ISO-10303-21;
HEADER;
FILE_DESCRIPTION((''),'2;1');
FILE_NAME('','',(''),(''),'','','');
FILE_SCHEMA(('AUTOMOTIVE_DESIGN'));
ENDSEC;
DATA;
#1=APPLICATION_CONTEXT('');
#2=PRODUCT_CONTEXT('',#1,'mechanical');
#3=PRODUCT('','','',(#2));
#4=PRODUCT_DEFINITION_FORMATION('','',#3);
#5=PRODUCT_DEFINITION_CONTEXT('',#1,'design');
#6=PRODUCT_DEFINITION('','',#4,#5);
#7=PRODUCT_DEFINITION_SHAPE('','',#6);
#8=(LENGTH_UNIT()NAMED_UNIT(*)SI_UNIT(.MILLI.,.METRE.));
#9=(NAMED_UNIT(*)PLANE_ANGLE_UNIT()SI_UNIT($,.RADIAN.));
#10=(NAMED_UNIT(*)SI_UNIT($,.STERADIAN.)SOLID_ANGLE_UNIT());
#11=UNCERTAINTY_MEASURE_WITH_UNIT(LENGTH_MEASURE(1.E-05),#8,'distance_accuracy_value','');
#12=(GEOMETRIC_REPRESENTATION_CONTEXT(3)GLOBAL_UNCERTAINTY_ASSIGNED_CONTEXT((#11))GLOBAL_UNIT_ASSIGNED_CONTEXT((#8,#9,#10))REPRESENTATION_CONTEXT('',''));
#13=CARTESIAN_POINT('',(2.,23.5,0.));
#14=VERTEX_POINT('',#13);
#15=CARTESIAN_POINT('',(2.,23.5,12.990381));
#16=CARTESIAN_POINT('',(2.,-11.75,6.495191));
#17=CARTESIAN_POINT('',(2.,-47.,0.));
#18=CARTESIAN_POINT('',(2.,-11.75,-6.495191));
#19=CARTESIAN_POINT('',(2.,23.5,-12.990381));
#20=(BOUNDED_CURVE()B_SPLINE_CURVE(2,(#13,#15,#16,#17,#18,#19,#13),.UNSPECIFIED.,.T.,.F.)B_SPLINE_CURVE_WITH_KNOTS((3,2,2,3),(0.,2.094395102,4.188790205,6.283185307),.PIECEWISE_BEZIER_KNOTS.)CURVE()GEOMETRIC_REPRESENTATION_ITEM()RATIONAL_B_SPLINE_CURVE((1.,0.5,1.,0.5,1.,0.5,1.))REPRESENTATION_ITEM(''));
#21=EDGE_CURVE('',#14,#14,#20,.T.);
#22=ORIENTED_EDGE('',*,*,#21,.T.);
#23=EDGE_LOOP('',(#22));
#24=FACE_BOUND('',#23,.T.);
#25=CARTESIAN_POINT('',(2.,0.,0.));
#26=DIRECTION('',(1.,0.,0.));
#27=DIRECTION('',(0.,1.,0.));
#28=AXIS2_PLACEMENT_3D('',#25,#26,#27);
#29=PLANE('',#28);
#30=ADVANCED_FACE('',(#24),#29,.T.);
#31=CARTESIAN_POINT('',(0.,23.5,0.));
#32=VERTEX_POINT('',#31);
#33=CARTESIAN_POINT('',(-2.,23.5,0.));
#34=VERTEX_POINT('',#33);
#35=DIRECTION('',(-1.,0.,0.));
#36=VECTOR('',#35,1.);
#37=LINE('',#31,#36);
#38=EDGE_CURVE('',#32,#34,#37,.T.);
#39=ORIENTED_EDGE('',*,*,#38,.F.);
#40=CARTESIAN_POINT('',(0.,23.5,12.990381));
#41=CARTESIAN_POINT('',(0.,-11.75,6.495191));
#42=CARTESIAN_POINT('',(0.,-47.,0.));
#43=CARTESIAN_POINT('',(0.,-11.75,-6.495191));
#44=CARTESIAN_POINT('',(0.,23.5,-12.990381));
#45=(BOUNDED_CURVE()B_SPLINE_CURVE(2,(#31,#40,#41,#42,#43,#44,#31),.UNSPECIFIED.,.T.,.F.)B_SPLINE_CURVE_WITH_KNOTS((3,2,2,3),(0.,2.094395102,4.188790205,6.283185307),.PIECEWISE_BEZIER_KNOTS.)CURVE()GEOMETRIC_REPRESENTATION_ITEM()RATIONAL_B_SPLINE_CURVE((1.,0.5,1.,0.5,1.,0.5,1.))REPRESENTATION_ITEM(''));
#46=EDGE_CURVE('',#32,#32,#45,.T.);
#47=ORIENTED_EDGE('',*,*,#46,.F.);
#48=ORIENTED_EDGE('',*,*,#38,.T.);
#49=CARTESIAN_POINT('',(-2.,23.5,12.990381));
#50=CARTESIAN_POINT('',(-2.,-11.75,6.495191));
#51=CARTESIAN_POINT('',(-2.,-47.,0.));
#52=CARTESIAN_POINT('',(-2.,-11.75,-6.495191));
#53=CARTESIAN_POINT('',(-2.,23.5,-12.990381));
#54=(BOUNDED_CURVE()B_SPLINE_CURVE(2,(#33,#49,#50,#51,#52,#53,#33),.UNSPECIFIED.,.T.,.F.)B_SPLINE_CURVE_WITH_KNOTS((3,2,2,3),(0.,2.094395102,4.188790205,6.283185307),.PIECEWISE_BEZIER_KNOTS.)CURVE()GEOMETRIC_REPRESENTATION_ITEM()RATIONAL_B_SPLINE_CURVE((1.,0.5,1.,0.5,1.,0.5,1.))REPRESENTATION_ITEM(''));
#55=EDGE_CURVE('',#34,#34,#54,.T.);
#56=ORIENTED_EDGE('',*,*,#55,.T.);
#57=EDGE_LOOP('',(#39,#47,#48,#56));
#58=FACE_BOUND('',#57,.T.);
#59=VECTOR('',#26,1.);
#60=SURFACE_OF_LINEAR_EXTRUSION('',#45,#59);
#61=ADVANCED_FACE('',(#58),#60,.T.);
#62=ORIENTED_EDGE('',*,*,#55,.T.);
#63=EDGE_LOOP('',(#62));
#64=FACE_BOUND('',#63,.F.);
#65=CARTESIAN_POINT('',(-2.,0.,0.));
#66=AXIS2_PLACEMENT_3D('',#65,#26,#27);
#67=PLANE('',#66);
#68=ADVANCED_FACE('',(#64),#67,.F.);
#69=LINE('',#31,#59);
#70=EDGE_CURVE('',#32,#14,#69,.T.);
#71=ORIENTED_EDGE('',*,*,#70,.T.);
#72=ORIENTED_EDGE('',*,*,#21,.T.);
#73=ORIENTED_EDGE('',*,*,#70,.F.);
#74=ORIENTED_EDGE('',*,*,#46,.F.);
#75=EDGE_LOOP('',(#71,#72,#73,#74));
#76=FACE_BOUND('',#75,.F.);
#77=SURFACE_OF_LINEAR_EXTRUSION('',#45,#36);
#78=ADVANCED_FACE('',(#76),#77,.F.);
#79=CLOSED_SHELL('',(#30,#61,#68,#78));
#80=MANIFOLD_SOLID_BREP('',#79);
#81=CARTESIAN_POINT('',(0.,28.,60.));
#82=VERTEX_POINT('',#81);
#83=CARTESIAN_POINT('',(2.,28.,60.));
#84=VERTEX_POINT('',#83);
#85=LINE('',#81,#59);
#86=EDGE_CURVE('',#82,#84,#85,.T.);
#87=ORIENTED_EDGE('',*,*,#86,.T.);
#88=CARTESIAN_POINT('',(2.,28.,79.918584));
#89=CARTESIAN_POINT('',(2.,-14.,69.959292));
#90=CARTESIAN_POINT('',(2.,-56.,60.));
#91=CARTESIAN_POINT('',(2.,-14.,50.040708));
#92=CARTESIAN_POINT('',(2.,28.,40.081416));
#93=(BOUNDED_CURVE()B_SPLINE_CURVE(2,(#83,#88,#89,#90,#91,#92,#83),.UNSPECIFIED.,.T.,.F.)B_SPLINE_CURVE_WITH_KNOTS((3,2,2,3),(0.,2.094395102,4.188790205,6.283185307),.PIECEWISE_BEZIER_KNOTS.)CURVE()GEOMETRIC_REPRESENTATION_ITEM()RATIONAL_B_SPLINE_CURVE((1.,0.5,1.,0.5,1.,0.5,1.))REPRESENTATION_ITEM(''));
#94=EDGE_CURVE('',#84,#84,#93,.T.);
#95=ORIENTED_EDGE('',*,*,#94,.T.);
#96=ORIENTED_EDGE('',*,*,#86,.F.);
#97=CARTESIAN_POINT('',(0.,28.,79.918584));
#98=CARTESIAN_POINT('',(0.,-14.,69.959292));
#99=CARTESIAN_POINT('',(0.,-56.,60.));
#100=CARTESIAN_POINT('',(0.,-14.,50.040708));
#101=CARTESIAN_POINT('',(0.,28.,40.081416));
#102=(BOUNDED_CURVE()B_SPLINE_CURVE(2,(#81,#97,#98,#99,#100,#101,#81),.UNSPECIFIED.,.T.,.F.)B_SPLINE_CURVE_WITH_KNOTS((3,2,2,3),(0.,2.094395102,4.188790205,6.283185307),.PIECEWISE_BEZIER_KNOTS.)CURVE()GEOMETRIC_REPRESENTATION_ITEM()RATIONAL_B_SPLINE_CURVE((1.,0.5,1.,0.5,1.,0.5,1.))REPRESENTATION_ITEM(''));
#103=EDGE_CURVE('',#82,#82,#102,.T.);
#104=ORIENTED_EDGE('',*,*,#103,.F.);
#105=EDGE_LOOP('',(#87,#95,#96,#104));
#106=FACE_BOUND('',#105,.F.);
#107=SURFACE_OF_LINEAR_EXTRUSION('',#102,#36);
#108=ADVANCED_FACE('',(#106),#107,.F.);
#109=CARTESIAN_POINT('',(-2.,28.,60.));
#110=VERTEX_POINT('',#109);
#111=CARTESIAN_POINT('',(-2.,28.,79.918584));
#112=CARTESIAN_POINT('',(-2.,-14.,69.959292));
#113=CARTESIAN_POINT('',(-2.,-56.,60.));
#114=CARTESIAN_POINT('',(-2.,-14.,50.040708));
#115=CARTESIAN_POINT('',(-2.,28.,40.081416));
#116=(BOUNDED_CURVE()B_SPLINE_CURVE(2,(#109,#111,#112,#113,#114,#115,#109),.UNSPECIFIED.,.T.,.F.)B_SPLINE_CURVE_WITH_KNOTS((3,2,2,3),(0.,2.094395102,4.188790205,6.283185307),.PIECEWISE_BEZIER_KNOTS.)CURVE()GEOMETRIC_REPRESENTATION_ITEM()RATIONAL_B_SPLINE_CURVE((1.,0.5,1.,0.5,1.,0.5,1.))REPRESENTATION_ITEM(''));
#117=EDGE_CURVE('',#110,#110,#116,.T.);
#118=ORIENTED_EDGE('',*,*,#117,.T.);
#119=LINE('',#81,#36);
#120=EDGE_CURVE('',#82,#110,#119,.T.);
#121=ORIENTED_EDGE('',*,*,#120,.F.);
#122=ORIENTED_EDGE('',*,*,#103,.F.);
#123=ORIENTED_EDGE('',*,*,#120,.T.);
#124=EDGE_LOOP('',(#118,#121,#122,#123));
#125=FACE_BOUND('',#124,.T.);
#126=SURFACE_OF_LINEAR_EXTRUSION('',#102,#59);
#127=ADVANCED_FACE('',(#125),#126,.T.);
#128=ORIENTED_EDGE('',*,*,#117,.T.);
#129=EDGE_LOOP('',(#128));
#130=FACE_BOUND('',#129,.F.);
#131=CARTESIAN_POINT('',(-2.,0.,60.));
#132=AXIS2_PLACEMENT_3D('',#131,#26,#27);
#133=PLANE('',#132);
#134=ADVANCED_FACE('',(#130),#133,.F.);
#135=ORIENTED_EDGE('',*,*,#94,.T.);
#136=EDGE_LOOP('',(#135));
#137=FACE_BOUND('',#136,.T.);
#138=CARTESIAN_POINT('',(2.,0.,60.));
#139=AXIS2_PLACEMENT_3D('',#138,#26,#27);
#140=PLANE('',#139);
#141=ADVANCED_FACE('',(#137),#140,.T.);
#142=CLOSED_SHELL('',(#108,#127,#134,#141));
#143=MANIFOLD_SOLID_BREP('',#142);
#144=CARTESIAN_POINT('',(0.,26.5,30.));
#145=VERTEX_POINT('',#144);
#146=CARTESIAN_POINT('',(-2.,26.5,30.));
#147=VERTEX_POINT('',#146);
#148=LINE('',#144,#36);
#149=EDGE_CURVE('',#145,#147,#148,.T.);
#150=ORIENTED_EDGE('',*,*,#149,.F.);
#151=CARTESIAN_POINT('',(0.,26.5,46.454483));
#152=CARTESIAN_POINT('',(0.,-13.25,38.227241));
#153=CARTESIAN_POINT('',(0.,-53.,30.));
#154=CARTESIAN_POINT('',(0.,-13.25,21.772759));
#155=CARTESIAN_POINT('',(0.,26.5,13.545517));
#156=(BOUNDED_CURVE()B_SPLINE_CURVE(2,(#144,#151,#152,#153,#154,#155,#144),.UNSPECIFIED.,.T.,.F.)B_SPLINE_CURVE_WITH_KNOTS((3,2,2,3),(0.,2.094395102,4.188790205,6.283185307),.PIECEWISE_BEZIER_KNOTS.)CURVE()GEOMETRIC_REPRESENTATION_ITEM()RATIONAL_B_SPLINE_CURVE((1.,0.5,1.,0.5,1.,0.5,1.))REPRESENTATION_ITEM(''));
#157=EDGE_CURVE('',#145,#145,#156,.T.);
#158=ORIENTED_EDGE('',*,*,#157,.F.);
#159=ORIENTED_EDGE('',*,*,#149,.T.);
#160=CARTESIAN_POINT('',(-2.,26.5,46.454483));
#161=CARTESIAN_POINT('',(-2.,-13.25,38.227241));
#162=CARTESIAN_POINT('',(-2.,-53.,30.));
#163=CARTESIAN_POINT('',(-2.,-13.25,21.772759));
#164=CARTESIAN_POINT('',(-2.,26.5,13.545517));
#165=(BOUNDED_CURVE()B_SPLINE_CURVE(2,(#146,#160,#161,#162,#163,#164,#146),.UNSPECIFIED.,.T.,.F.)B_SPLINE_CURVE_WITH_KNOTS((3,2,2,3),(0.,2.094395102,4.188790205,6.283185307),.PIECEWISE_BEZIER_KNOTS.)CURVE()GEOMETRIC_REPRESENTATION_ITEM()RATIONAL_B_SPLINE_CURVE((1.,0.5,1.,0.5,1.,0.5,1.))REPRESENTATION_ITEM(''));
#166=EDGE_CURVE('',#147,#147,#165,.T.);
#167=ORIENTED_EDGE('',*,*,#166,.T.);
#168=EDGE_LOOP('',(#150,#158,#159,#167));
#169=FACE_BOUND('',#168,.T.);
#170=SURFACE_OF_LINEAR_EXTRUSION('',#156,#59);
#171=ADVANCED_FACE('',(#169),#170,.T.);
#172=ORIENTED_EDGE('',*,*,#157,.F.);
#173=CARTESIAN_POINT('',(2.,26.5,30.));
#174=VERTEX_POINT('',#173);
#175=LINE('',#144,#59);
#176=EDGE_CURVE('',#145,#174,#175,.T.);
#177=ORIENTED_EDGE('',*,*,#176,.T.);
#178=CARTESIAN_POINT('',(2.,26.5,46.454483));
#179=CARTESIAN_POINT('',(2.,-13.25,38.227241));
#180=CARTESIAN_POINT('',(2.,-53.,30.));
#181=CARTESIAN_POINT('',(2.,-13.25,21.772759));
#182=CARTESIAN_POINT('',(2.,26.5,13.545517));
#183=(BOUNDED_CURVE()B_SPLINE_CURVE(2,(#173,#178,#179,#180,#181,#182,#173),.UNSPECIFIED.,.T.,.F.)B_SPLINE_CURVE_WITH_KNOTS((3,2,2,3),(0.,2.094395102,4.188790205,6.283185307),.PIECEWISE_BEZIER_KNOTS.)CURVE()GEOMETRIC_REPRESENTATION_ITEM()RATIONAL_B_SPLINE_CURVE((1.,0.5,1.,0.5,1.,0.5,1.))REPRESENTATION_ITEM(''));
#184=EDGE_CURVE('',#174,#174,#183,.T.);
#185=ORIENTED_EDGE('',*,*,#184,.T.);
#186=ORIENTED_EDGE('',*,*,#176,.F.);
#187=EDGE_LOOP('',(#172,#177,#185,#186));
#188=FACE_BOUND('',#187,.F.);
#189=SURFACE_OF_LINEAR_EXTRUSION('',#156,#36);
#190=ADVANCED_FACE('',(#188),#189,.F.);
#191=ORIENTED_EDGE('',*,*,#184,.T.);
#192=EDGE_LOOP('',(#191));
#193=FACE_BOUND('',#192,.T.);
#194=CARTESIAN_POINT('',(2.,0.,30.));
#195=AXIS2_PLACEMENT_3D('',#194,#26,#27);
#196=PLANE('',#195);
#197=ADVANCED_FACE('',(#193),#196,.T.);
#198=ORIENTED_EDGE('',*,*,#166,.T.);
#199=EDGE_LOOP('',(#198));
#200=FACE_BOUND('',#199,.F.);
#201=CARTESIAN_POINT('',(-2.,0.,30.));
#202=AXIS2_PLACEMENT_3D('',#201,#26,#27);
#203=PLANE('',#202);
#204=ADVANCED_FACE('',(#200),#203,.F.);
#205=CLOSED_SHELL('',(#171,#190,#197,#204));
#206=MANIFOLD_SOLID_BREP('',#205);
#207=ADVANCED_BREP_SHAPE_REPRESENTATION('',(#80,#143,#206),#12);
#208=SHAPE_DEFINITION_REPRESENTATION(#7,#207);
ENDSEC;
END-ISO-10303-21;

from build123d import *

# Parameters (mm, degrees)
F1_DEPTH = 2


with BuildPart() as f1:
    # F0 (on Right) → F1 (new body, symmetric)
    with BuildSketch(Plane.YZ):
        with BuildLine():
            add(Edge.make_bspline(
                [(26.5, 30), (26.5, 46.4544826719), (-13.25, 38.227241336), (-53, 30), (-13.25, 21.772758664), (26.5, 13.5455173281), (26.5, 30)],
                knots=[0, 0, 0, 2.0943951024, 2.0943951024, 4.1887902048, 4.1887902048, 6.2831853072, 6.2831853072, 6.2831853072], degree=2, weights=[1, 0.5, 1, 0.5, 1, 0.5, 1]))
        make_face()
    extrude(amount=F1_DEPTH, both=True)


with BuildPart() as f1b:
    # F0 (on Right) → F1, piece 2 (new body, symmetric)
    with BuildSketch(Plane.YZ):
        with BuildLine():
            add(Edge.make_bspline(
                [(23.5, 0), (23.5, 12.9903810568), (-11.75, 6.4951905284), (-47, 0), (-11.75, -6.4951905284), (23.5, -12.9903810568), (23.5, 0)],
                knots=[0, 0, 0, 2.0943951024, 2.0943951024, 4.1887902048, 4.1887902048, 6.2831853072, 6.2831853072, 6.2831853072], degree=2, weights=[1, 0.5, 1, 0.5, 1, 0.5, 1]))
        make_face()
    extrude(amount=F1_DEPTH, both=True)


with BuildPart() as f1c:
    # F0 (on Right) → F1, piece 3 (new body, symmetric)
    with BuildSketch(Plane.YZ):
        with BuildLine():
            add(Edge.make_bspline(
                [(28, 60), (28, 79.918584287), (-14, 69.9592921435), (-56, 60), (-14, 50.0407078565), (28, 40.081415713), (28, 60)],
                knots=[0, 0, 0, 2.0943951024, 2.0943951024, 4.1887902048, 4.1887902048, 6.2831853072, 6.2831853072, 6.2831853072], degree=2, weights=[1, 0.5, 1, 0.5, 1, 0.5, 1]))
        make_face()
    extrude(amount=F1_DEPTH, both=True)


solid = Compound([f1.part, f1b.part, f1c.part])
